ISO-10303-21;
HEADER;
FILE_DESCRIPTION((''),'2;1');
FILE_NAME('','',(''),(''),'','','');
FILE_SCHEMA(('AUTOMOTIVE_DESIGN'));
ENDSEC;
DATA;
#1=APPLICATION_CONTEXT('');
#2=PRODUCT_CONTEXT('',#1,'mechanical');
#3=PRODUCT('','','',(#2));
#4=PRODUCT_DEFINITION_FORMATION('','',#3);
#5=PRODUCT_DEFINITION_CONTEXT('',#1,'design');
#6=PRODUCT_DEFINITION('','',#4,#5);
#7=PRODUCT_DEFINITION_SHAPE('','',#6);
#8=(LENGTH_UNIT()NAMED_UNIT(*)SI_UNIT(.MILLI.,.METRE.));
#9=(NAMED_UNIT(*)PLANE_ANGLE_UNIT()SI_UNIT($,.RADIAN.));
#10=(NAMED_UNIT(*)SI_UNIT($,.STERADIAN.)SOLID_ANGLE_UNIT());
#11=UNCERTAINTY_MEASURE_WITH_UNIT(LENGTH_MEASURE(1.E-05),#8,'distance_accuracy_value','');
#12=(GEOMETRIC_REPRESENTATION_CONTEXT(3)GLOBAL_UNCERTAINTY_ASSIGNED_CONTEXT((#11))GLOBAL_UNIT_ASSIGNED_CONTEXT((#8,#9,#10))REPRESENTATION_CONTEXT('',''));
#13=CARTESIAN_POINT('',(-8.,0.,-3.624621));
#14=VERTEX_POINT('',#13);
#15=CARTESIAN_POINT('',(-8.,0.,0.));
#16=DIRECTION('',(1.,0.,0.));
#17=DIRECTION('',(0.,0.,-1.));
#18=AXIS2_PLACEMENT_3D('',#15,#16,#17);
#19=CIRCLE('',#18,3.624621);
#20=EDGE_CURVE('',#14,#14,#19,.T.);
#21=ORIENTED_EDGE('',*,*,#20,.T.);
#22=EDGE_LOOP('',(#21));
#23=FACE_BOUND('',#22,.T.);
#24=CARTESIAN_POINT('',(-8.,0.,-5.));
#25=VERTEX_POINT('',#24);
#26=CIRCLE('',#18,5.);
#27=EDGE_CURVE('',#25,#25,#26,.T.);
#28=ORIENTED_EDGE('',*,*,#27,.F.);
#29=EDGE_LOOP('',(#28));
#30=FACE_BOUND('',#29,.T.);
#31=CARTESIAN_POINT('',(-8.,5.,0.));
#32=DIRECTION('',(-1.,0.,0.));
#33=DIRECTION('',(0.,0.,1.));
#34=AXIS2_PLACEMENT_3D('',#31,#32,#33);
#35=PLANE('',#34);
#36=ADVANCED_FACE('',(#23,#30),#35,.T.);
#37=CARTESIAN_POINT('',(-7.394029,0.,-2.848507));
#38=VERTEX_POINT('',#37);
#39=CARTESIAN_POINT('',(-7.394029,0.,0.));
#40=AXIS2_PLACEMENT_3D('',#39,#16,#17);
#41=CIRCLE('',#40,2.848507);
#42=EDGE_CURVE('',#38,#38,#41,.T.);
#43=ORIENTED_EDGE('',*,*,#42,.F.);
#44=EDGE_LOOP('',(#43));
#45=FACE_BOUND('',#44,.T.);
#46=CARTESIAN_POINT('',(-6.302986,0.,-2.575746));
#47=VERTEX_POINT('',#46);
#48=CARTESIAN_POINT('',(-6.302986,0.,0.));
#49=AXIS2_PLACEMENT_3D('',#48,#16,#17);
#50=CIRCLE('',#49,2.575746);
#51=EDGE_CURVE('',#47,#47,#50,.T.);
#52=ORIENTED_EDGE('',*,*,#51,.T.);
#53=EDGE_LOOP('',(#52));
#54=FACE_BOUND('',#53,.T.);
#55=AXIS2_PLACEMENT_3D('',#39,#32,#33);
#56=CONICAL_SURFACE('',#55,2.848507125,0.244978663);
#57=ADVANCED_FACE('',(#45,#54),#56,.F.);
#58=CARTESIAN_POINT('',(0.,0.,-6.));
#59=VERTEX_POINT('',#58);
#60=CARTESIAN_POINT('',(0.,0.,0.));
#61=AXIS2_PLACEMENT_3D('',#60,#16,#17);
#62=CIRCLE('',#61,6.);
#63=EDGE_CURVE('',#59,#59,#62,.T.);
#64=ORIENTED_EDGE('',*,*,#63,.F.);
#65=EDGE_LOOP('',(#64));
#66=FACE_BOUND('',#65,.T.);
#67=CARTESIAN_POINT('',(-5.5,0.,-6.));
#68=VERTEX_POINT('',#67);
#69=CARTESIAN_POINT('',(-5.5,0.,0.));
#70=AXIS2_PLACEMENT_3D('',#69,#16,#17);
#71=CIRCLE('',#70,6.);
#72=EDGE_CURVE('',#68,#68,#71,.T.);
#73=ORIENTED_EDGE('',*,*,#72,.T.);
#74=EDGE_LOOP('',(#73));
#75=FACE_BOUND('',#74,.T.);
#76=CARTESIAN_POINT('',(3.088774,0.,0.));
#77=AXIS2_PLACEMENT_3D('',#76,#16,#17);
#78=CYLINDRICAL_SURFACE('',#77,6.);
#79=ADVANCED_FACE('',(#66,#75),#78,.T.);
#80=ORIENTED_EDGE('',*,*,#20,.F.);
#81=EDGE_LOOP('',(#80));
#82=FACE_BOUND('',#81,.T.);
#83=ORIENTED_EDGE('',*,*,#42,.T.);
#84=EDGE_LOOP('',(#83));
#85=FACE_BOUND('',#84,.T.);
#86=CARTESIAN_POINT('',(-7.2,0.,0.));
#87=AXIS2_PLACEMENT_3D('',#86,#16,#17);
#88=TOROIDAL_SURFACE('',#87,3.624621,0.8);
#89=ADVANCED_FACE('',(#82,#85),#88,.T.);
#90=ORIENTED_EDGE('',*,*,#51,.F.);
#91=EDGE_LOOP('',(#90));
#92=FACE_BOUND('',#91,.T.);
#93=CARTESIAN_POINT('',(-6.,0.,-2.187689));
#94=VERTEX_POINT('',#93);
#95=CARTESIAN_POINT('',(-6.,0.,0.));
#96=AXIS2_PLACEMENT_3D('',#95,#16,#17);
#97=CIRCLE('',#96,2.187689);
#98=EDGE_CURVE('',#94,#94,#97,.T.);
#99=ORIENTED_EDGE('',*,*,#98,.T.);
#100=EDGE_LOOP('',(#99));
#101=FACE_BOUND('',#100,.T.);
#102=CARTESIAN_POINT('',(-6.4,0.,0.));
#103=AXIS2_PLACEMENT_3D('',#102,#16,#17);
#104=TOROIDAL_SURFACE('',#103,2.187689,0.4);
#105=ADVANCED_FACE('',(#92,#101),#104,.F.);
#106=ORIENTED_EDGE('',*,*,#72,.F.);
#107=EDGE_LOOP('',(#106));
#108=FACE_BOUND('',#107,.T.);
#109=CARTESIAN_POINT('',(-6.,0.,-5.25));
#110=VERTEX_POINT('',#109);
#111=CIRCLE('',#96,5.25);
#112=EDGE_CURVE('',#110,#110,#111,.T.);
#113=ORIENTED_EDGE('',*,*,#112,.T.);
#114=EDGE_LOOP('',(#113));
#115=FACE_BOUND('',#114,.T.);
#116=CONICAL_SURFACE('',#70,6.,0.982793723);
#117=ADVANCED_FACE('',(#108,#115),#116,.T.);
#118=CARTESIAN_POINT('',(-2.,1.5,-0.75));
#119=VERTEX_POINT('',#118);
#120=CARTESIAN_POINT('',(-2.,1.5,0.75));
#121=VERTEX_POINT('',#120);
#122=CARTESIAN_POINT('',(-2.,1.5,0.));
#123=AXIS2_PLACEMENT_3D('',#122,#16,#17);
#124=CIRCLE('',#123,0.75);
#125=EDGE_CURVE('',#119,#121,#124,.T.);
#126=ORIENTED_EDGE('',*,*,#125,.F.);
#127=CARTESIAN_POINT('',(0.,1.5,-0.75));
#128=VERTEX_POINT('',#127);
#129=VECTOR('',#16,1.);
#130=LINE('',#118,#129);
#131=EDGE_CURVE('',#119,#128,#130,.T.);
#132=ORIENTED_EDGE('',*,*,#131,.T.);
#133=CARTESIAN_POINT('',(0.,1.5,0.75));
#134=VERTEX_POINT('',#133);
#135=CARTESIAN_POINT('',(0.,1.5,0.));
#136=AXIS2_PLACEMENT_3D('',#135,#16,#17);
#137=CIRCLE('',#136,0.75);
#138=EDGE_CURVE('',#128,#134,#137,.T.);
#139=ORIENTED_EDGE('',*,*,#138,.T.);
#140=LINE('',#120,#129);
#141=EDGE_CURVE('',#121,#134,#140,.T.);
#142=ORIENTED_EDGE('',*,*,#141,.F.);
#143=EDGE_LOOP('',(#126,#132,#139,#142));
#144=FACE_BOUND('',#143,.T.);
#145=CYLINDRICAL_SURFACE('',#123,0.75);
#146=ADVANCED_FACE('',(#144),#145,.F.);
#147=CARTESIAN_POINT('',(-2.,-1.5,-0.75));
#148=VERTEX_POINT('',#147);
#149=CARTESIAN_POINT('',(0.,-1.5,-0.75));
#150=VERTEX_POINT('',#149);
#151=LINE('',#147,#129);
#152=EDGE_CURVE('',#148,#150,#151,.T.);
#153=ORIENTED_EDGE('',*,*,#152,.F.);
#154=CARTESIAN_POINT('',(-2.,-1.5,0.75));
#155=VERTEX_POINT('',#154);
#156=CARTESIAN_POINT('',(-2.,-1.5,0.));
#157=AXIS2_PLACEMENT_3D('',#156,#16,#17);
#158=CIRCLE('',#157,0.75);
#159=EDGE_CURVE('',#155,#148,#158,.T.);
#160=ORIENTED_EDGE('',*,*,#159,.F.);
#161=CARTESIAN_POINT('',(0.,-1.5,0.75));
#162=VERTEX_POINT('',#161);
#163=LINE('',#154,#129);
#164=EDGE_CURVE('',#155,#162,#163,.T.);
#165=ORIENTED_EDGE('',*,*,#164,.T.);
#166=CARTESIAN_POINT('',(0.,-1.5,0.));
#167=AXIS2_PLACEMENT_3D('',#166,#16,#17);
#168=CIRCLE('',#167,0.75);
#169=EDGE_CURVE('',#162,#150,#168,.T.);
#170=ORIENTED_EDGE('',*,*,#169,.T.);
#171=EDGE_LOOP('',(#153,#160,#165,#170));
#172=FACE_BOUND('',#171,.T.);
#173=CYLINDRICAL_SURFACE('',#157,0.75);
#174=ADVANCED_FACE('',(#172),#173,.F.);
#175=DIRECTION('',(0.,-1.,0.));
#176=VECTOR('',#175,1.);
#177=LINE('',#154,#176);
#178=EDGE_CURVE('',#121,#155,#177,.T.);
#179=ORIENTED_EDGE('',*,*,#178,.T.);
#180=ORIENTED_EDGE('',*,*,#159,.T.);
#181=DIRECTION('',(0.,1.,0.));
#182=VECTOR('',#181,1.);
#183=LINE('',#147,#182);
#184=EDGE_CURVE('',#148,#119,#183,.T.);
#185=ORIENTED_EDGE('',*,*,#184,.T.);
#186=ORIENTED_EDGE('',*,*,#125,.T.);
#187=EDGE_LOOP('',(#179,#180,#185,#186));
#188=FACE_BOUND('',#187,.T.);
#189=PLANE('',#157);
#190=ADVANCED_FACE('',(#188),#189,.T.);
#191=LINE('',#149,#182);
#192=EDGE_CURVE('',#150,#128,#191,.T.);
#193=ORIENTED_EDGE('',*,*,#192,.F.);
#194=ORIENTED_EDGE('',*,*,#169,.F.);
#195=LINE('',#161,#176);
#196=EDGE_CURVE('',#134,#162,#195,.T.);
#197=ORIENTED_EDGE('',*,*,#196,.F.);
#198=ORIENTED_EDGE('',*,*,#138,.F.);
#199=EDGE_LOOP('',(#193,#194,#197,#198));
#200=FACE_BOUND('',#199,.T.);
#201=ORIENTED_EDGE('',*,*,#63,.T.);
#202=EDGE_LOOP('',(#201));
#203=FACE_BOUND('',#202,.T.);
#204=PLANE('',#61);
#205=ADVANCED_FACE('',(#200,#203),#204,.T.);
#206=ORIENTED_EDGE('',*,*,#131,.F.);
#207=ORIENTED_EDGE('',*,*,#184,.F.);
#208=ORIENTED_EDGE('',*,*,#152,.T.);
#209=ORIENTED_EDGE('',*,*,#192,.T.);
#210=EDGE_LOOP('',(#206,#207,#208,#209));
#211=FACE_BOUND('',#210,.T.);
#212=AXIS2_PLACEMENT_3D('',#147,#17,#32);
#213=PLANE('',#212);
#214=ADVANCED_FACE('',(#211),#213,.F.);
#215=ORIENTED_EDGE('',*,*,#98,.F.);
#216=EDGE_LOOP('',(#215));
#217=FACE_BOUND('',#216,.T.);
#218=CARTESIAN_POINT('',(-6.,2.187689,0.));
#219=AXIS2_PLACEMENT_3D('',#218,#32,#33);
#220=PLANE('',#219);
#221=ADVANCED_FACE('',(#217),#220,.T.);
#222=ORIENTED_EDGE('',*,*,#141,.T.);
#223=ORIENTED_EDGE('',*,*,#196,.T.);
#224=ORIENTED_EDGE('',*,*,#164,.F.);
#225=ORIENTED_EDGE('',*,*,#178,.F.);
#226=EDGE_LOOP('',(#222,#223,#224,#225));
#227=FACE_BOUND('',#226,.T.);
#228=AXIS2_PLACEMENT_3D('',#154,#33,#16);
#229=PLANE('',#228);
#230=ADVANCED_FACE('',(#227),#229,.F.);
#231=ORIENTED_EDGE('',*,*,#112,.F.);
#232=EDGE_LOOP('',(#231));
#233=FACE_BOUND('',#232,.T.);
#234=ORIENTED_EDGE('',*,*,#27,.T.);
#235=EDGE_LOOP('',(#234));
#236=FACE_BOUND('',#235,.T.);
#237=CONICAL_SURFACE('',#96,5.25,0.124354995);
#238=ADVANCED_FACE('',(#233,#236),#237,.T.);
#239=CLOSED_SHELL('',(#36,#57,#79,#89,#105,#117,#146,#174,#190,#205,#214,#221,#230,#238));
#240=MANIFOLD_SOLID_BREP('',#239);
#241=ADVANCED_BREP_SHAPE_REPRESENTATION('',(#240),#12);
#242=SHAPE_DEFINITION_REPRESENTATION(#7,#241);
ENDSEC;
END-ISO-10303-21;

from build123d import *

# Parameters (mm, degrees)
ENL_V_MAT_EXTRU_1_DEPTH = 2


with BuildPart() as part:
    # Esquisse1 → Révolution1 (revolve)
    with BuildSketch(Plane.XY):
        with BuildLine():
            Line((0, 0), (0, 6))
            Line((0, 6), (-5.5, 6))
            Line((-5.5, 6), (-6, 5.25))
            Line((-6, 5.25), (-8, 5))
            Line((-8, 5), (-8, 3.624621125))
            ThreePointArc((-8, 3.624621125), (-7.83056435, 3.132291358), (-7.3940285, 2.848507125))
            Line((-7.3940285, 2.848507125), (-6.30298575, 2.575746437))
            ThreePointArc((-6.30298575, 2.575746437), (-6.084717825, 2.433854321), (-6, 2.187689437))
            Line((-6, 2.187689437), (-6, 0))
            Line((-6, 0), (0, 0))
        make_face()
    revolve(axis=Axis((3.088773822, 0, 0), (-1, 0, 0)))

    # Esquisse2 → Enlèv. mat.-Extru.1 (cut)
    with BuildSketch(Plane(origin=(0, 0, 0), x_dir=(0, 0, -1), z_dir=(1, 0, 0))):
        with BuildLine():
            Line((-0.75, -1.5), (-0.75, 1.5))
            ThreePointArc((-0.75, 1.5), (0, 2.25), (0.75, 1.5))
            Line((0.75, 1.5), (0.75, -1.5))
            ThreePointArc((0.75, -1.5), (0, -2.25), (-0.75, -1.5))
        make_face()
    extrude(amount=-ENL_V_MAT_EXTRU_1_DEPTH, mode=Mode.SUBTRACT)


solid = part.part
